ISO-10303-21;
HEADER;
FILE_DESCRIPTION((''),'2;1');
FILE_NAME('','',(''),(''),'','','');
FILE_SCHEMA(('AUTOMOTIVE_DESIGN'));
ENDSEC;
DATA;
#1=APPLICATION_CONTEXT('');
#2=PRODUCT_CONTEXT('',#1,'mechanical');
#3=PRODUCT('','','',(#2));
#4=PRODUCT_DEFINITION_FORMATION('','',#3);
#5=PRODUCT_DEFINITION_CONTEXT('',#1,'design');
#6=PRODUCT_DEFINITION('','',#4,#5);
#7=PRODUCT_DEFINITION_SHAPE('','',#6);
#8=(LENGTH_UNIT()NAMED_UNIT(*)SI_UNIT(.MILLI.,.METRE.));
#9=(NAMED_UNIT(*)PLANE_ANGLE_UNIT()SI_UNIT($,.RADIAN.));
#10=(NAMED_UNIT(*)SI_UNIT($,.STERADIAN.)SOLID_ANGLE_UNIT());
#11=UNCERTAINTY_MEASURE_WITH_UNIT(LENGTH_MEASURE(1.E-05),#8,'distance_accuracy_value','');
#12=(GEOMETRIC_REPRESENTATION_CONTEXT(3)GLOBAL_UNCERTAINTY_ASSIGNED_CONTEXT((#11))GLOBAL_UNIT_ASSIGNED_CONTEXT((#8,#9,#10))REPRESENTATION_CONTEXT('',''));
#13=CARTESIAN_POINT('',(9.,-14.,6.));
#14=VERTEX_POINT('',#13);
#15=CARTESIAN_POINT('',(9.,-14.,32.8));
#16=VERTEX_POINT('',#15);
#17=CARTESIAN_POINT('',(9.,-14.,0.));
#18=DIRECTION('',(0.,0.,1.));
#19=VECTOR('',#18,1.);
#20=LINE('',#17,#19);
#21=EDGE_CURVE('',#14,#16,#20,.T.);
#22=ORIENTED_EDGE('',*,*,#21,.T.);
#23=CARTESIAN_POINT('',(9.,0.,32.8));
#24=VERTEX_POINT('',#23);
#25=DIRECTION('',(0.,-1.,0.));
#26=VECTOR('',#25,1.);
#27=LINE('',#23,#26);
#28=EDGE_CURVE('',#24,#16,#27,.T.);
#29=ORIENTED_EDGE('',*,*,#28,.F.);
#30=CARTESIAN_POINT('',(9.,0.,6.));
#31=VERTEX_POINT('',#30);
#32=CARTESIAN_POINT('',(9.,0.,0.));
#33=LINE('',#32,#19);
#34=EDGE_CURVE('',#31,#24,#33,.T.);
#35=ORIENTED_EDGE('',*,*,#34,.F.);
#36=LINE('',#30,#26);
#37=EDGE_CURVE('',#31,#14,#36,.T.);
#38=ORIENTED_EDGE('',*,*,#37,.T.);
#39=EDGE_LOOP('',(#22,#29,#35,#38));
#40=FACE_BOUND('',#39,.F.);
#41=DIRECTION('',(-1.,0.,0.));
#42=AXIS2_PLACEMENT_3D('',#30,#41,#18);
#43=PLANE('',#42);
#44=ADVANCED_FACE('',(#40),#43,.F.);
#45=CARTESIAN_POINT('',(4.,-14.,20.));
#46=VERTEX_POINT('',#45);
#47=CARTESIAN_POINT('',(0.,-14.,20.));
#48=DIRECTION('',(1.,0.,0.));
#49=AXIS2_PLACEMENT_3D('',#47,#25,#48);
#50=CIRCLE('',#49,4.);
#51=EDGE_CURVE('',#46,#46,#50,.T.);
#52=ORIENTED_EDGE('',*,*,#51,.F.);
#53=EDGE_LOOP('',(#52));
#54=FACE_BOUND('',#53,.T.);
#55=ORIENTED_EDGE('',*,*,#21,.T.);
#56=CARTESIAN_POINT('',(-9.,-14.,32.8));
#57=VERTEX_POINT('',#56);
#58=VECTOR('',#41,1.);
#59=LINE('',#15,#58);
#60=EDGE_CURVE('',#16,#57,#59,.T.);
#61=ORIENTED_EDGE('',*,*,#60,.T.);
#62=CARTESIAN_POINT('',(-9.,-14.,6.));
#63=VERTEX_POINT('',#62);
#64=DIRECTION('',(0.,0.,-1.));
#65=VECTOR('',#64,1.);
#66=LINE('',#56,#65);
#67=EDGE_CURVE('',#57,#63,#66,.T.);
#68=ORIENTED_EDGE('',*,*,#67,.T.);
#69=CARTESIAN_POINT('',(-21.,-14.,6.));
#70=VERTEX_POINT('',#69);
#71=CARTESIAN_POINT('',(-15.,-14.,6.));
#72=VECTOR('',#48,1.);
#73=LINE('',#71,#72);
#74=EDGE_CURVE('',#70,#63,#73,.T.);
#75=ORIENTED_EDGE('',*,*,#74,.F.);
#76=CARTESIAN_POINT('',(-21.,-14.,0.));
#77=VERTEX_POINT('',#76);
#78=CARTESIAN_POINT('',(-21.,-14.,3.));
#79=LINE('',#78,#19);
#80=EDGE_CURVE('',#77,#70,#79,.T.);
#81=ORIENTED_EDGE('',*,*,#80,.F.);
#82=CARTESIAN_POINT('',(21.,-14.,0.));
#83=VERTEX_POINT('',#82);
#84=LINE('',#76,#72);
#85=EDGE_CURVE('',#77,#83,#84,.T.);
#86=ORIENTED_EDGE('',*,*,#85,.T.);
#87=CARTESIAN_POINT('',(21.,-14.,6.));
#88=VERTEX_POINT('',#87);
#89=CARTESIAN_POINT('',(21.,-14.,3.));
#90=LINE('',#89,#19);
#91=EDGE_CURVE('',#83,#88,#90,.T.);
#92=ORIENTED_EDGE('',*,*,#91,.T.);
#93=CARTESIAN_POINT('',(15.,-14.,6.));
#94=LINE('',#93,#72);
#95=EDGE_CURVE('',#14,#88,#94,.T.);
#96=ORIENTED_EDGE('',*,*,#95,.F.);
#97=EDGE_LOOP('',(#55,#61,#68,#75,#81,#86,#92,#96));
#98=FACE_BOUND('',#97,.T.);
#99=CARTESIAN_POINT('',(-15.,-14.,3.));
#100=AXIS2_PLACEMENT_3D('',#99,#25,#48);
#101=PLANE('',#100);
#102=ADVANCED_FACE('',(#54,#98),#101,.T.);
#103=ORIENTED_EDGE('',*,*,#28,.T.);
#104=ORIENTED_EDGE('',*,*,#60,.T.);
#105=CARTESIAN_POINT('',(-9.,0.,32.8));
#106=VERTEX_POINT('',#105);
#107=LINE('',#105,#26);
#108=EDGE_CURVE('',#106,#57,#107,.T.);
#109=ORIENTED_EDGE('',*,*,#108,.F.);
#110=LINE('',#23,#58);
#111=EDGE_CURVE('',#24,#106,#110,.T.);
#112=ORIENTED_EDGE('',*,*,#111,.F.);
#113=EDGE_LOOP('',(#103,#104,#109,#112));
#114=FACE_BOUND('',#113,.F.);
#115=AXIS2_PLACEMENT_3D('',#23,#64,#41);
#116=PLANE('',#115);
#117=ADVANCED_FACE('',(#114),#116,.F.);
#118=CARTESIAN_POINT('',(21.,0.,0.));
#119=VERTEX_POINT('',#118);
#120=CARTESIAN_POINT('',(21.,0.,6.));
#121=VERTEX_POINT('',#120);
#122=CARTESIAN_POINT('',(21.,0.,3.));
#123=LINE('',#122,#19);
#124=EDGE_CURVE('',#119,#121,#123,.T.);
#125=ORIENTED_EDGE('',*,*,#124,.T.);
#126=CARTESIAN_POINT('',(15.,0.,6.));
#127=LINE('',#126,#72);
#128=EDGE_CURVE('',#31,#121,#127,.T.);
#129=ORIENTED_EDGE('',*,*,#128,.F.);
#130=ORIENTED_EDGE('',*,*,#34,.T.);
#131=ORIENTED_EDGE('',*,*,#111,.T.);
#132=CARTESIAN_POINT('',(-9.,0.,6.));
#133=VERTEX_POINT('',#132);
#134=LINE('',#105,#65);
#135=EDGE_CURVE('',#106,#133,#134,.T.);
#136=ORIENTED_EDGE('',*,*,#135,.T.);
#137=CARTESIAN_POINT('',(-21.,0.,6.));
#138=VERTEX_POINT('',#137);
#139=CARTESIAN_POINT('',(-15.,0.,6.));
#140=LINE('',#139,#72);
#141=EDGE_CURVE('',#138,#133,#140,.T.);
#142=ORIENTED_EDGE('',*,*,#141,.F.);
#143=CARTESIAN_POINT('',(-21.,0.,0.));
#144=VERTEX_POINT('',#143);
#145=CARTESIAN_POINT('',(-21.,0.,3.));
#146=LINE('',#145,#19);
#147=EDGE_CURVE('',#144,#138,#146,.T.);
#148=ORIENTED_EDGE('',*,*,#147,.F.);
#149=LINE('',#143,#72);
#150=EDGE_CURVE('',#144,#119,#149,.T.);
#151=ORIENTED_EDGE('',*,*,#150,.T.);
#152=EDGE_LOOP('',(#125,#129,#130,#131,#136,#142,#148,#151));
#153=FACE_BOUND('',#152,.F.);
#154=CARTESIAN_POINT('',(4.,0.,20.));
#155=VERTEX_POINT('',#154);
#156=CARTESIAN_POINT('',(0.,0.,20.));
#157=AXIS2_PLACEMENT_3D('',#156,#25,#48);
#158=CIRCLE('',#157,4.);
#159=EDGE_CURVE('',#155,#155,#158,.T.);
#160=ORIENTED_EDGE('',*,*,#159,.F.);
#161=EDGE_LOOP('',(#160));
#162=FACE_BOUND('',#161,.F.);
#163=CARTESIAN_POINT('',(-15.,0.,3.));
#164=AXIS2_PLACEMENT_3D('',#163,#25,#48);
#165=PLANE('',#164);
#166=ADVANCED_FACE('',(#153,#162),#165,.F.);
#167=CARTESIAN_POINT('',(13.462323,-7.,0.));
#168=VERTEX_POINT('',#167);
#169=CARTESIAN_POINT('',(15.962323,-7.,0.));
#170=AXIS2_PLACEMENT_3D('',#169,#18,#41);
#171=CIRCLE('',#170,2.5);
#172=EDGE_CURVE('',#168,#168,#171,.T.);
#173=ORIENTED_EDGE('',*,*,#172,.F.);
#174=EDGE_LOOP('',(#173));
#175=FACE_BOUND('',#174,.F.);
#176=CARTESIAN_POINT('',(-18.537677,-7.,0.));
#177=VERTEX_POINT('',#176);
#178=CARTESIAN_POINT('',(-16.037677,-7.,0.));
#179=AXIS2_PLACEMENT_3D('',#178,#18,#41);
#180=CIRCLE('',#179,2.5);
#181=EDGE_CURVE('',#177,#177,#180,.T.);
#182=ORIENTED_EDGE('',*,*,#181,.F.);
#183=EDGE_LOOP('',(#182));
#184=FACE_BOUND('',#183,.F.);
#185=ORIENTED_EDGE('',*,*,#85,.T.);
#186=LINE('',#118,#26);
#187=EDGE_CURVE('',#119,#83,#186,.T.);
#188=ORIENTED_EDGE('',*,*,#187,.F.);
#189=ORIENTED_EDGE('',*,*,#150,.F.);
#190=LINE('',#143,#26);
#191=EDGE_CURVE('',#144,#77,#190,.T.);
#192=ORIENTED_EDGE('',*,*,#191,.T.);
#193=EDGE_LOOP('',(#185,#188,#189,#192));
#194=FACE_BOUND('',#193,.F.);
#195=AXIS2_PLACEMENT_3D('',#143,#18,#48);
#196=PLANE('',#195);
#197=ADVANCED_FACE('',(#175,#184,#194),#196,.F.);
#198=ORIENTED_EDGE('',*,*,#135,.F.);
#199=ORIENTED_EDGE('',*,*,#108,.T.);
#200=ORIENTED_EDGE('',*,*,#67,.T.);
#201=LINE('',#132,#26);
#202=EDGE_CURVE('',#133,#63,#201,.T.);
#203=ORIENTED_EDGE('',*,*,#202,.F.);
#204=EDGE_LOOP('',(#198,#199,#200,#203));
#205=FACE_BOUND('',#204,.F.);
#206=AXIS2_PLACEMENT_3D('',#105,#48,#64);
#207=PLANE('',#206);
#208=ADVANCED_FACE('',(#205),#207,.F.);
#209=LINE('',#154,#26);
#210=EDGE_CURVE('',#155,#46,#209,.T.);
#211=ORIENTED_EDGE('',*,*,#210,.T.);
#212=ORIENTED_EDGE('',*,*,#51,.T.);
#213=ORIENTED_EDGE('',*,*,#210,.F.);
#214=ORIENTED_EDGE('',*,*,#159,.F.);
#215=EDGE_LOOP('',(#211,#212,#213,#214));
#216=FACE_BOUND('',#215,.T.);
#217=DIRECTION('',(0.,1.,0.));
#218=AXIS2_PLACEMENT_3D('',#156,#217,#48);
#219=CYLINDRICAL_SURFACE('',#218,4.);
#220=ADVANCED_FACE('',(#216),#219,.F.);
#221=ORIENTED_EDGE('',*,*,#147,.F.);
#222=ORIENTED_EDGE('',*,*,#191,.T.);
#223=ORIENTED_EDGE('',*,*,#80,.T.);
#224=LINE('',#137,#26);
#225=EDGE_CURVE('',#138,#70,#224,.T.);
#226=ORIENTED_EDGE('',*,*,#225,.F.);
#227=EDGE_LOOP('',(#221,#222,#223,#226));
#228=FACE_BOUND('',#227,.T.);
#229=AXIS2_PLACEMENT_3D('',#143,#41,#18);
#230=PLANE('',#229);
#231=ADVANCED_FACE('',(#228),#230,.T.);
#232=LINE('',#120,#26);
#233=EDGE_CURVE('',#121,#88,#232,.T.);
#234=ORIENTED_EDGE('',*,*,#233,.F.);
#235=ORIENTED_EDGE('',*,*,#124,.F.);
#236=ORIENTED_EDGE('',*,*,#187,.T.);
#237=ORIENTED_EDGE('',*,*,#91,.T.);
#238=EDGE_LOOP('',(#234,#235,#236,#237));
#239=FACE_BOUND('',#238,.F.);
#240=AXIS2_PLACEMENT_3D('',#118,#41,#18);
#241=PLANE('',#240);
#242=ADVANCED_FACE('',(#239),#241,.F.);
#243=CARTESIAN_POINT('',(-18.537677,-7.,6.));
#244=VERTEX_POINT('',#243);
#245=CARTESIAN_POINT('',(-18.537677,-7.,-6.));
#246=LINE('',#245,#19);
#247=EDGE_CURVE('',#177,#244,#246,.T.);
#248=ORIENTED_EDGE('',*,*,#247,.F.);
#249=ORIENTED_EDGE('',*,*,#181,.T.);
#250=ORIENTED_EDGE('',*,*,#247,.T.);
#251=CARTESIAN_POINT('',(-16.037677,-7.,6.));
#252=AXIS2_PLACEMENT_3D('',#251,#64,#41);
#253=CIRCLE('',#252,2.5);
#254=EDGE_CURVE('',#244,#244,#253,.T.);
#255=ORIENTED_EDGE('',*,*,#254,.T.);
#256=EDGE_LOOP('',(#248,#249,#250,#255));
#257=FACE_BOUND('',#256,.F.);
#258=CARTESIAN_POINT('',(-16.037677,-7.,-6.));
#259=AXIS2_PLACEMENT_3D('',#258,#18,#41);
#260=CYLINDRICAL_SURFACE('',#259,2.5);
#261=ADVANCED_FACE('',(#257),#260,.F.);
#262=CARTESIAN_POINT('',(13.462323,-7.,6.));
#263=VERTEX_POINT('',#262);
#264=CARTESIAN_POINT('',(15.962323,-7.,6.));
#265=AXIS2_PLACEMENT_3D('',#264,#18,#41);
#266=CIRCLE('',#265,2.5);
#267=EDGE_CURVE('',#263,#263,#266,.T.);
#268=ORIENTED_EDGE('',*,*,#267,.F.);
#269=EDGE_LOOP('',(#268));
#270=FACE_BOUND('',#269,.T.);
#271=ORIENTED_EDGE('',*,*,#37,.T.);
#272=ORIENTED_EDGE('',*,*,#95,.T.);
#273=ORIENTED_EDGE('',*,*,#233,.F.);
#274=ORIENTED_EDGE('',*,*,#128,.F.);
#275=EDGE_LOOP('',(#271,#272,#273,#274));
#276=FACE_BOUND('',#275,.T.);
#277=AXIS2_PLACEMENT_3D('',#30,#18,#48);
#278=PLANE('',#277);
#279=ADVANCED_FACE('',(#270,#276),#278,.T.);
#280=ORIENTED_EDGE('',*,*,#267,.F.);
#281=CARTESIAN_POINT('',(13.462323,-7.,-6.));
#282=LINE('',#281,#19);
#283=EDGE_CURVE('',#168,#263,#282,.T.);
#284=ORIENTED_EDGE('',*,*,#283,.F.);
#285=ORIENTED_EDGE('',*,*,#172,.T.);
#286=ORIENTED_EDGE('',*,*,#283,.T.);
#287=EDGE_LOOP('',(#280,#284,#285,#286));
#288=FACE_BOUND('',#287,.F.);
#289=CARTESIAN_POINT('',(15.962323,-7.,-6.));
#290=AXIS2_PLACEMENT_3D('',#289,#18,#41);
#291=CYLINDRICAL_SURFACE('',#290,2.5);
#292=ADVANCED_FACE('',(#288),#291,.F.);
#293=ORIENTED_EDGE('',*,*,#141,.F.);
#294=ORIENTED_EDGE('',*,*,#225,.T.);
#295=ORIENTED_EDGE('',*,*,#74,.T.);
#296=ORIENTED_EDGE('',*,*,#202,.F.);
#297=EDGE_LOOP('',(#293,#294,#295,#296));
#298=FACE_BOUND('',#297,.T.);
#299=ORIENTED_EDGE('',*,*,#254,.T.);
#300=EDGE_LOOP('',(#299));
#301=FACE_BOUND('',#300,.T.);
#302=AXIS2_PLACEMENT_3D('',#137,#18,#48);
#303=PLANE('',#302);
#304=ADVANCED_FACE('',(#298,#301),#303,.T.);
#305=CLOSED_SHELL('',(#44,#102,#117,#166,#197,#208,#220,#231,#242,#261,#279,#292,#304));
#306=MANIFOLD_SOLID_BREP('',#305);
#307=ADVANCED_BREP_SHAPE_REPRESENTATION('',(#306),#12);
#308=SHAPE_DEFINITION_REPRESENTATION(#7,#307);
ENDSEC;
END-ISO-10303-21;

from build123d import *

# Parameters (mm, degrees)
F0_W     = 12
F0_H     = 6
F0_R     = 4
F1_DEPTH = 14
F3_D     = 5
F3_DEPTH = 6
F3_TIP   = 1.5021515476


with BuildPart() as f1:
    # F0 (on Front) → F1 (new body)
    with BuildSketch(Plane.XZ):
        with Locations((-15, 3)):
            Rectangle(F0_W, F0_H)
        Polygon((-9, 0), (0, 0), (9, 0), (9, 6), (9, 32.8), (0, 32.8), (-9, 32.8), (-9, 6), align=None)
        with Locations((0, 20)):
            Circle(F0_R, mode=Mode.SUBTRACT)
        with Locations((15, 3)):
            Rectangle(F0_W, F0_H)
    extrude(amount=F1_DEPTH)

    # F3
    with Locations(Plane(origin=(0, 0, 0), x_dir=(1, 0, 0), z_dir=(0, 0, -1))):
        with Locations((-16.037677303, 7), (15.962322697, 7)):
            Hole(F3_D / 2, depth=F3_DEPTH)
            with Locations((0, 0, -(F3_DEPTH + F3_TIP / 2))):  # 118° drill point
                Cone(0, F3_D / 2, F3_TIP, mode=Mode.SUBTRACT)


solid = f1.part
